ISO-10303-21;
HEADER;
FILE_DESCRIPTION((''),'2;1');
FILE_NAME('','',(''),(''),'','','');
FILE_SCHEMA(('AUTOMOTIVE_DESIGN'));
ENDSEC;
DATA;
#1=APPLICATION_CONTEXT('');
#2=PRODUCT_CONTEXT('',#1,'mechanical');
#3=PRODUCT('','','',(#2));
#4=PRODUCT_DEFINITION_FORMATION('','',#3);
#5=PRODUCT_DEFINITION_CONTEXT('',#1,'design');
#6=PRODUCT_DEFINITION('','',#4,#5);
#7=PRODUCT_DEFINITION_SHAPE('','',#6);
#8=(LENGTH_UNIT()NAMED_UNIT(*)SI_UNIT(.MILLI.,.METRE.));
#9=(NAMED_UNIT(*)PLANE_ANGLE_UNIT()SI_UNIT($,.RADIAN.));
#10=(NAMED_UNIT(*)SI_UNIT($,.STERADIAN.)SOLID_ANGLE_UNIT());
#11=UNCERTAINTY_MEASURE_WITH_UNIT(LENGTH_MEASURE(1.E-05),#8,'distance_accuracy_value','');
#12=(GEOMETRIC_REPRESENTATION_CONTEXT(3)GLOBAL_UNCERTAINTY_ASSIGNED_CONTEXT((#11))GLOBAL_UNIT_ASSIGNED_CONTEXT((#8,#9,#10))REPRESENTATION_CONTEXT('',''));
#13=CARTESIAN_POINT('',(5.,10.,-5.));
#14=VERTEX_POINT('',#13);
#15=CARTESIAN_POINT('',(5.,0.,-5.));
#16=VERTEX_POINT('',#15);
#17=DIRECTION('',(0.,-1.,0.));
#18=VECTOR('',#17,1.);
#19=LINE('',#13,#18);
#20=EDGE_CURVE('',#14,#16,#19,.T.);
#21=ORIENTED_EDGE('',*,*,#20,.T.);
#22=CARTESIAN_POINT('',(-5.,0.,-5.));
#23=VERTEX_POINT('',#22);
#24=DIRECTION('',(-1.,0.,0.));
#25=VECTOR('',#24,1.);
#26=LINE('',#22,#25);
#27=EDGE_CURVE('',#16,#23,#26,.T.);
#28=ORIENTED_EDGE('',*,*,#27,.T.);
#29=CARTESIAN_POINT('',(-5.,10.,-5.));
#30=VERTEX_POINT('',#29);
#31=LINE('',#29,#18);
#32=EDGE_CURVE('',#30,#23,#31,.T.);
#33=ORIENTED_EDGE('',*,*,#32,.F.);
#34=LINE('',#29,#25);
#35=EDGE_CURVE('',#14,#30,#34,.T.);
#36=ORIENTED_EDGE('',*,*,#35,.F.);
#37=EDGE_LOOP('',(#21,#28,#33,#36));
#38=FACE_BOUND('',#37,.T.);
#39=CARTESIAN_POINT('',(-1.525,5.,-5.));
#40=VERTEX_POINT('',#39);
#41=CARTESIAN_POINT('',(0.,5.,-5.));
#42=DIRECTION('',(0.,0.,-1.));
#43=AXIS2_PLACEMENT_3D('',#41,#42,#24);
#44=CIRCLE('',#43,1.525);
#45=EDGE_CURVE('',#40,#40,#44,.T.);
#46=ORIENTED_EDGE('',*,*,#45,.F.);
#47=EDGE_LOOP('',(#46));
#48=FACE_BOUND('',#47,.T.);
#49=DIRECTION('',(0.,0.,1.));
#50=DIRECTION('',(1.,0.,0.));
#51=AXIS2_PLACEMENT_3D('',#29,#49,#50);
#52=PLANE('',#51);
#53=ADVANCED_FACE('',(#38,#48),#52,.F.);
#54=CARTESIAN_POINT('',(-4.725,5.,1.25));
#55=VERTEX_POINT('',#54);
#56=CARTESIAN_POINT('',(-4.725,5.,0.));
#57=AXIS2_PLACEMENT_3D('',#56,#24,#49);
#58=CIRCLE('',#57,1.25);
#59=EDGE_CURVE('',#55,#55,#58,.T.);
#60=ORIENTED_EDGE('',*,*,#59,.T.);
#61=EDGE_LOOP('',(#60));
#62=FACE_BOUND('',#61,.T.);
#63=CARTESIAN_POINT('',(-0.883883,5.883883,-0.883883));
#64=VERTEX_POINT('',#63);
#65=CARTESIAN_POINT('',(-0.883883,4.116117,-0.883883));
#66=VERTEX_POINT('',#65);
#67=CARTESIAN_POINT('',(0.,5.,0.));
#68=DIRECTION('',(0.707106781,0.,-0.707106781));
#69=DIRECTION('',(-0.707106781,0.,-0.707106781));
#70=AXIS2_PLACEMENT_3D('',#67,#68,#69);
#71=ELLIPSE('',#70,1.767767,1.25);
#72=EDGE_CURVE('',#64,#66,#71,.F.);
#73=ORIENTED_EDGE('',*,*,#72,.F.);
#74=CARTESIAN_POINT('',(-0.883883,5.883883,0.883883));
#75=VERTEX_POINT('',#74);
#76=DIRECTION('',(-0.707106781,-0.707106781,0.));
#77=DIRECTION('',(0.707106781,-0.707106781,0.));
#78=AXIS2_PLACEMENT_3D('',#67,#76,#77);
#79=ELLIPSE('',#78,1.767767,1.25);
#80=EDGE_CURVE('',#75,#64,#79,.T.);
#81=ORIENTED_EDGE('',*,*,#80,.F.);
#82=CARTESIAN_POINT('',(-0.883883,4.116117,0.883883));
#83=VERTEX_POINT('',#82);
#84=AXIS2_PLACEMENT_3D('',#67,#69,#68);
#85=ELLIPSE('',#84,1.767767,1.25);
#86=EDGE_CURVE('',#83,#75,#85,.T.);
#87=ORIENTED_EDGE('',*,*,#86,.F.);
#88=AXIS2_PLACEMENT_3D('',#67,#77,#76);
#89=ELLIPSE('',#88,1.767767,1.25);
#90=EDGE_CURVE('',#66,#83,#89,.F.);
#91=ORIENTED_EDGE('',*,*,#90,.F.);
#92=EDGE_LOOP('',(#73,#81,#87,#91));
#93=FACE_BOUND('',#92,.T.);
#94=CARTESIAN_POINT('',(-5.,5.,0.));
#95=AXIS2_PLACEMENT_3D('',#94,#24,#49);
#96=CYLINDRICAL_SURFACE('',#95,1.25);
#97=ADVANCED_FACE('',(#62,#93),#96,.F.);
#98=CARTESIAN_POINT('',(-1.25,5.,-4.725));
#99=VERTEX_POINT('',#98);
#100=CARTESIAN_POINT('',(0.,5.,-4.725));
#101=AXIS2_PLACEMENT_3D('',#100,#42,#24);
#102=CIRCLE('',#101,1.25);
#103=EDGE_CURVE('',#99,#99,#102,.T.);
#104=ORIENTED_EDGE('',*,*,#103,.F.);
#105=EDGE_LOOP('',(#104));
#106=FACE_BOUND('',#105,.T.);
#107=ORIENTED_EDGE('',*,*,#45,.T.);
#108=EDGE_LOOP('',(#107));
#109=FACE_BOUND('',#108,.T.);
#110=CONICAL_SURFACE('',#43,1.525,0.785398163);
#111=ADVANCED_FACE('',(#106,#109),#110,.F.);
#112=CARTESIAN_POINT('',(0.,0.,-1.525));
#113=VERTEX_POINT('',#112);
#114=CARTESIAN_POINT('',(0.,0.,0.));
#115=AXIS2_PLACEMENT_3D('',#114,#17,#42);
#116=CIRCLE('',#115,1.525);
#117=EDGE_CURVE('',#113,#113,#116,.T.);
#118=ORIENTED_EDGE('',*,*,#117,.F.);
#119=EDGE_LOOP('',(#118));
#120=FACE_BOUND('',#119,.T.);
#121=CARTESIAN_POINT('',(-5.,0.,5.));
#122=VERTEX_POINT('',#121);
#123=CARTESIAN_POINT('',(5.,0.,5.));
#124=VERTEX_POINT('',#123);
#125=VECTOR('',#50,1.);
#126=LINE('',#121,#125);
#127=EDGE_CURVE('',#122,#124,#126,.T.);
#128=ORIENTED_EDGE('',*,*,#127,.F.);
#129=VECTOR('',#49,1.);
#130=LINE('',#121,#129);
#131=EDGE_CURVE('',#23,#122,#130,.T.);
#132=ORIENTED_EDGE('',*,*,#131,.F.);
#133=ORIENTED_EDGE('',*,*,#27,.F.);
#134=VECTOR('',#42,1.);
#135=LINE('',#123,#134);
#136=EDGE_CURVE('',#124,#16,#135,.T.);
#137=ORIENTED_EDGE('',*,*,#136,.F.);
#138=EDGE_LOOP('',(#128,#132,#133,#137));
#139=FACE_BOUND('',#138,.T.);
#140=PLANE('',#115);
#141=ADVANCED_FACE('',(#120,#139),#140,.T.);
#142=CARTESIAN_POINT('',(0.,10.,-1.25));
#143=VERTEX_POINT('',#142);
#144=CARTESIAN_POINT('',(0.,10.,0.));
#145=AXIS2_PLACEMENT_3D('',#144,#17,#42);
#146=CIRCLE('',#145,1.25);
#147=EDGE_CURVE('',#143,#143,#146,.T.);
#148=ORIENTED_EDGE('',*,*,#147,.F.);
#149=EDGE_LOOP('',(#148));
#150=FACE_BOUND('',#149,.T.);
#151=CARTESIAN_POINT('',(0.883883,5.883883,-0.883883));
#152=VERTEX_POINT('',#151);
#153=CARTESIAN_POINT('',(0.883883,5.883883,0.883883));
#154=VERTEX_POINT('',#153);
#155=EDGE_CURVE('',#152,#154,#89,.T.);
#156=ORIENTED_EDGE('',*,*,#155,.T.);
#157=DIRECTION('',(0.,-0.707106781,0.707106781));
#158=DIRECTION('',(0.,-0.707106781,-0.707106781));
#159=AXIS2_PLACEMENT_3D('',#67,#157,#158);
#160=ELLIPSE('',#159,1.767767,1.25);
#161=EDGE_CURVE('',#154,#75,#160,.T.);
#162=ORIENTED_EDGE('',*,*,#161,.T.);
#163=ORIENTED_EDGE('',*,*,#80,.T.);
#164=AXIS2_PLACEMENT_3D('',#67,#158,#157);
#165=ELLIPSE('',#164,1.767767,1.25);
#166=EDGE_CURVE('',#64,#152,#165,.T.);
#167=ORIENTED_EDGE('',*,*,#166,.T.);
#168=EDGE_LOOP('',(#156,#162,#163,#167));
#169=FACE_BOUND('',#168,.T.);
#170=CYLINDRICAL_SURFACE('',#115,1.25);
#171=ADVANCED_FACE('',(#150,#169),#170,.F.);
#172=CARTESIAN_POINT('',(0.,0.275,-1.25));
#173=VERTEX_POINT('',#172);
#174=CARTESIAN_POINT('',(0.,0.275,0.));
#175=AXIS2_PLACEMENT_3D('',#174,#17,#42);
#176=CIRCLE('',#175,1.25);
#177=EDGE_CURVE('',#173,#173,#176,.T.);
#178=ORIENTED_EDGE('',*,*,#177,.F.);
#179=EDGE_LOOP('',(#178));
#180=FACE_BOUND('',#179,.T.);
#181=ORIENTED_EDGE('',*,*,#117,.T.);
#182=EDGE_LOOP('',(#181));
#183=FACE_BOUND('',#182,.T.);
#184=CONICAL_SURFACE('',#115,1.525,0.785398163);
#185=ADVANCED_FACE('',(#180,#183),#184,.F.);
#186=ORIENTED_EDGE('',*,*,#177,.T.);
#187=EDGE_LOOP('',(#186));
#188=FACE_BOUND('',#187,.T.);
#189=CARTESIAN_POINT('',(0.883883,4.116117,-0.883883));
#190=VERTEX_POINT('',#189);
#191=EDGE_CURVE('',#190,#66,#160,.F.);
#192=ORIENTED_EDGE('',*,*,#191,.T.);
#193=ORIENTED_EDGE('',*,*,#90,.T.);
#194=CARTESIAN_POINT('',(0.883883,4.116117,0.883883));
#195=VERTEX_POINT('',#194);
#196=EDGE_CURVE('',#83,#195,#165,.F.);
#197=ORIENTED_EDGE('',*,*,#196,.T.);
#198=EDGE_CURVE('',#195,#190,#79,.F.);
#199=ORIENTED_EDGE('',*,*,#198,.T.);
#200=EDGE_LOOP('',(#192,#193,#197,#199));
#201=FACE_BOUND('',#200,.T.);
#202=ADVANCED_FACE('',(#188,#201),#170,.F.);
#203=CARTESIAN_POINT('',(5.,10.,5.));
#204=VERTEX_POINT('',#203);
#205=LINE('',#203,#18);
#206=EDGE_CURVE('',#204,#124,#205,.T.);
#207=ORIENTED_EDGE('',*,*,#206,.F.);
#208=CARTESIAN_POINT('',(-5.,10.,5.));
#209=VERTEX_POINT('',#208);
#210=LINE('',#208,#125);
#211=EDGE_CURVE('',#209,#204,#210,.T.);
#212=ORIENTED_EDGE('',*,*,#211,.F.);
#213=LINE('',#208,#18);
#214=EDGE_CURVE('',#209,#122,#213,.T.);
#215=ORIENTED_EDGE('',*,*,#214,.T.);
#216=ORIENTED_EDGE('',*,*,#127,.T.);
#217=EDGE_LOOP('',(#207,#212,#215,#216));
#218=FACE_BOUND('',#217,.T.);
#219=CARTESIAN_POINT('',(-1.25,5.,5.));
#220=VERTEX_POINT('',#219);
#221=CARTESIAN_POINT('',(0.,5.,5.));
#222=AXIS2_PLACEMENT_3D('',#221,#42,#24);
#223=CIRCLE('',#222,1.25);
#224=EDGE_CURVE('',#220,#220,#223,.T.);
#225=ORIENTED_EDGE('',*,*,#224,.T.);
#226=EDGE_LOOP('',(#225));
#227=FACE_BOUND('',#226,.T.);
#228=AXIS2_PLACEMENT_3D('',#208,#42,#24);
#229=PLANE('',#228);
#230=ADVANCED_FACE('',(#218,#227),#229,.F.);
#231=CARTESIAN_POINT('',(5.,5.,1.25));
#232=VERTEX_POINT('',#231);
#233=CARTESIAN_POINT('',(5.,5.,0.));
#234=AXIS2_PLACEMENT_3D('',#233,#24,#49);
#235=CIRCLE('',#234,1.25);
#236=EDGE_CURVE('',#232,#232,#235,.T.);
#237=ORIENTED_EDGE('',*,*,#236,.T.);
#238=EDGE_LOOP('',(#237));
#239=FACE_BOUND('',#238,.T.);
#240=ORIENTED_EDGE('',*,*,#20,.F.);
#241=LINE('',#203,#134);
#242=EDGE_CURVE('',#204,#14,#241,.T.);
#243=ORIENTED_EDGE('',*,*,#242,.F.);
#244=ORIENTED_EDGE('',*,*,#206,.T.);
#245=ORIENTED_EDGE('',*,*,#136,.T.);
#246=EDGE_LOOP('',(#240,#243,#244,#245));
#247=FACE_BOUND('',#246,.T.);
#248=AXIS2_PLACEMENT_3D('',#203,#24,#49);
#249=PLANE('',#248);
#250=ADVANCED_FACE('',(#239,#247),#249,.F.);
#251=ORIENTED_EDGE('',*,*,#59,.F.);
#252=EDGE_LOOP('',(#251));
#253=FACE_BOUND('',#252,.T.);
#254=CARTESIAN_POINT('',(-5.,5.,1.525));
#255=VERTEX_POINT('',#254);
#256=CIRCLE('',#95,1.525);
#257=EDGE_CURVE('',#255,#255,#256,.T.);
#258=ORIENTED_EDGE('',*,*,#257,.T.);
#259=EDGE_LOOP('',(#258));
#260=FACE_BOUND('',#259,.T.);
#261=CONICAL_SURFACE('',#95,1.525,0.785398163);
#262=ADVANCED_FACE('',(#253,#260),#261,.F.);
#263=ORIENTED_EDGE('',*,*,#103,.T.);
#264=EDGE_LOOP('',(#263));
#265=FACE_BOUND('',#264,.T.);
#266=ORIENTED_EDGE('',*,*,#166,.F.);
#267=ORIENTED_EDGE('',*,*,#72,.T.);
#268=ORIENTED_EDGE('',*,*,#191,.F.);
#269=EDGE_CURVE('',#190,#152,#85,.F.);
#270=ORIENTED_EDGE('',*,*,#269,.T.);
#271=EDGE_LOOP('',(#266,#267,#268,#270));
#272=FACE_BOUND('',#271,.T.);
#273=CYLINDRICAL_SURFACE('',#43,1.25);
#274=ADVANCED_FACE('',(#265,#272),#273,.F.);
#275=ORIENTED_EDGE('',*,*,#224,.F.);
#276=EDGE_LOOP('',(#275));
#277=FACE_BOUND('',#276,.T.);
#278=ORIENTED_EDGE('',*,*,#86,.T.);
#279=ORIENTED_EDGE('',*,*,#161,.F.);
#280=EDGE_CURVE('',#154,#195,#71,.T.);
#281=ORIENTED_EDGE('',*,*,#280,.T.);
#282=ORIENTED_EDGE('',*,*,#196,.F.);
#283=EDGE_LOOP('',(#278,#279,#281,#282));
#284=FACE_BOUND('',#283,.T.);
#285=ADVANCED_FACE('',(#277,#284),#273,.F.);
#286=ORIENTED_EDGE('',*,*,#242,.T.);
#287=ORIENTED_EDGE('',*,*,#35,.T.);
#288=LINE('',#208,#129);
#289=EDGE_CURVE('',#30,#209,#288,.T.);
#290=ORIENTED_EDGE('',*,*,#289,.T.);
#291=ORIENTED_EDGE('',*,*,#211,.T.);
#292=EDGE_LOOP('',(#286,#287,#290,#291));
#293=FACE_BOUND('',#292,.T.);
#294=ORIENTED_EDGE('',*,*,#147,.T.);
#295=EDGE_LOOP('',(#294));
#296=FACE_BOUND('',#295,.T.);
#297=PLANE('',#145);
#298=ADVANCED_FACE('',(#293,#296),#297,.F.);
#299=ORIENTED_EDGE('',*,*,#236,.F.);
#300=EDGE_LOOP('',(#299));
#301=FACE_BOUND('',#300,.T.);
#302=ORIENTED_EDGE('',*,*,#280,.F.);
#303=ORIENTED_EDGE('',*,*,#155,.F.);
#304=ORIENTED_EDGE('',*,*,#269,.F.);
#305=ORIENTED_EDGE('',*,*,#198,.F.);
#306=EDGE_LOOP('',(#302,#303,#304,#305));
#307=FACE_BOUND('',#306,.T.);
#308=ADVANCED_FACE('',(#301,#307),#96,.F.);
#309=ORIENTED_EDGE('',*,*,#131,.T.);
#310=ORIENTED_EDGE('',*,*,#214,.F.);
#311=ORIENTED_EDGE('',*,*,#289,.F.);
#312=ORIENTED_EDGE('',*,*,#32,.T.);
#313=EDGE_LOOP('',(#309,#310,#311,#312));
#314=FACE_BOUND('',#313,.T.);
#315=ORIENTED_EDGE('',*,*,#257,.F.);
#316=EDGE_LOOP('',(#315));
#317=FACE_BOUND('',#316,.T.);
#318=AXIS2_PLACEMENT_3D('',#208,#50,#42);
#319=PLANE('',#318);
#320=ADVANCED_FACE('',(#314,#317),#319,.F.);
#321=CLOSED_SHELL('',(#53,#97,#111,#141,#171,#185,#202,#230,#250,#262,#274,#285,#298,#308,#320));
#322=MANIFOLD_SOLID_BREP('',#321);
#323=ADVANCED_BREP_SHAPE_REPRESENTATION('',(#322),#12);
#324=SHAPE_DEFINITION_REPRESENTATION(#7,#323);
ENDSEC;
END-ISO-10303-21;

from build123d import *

# Parameters (mm, degrees)
SKETCH_1_W                   = 10
SKETCH_1_H                   = 10
EXTRUDE_1_DEPTH              = 10
HOLE_WIZARD_M3_1_D           = 2.5
HOLE_WIZARD_M3_1_CSINK_D     = 3.05
HOLE_WIZARD_M3_1_CSINK_ANGLE = 90
HOLE_WIZARD_M3_2_D           = 2.5
HOLE_WIZARD_M3_2_CSINK_D     = 3.05
HOLE_WIZARD_M3_2_CSINK_ANGLE = 90
HOLE_WIZARD_M3_3_D           = 2.5
HOLE_WIZARD_M3_3_CSINK_D     = 3.05
HOLE_WIZARD_M3_3_CSINK_ANGLE = 90


with BuildPart() as part:
    # 草图1 → 凸台-拉伸1 (new body)
    with BuildSketch(Plane(origin=(0, 0, 0), x_dir=(1, 0, 0), z_dir=(0, 1, 0))):
        Rectangle(SKETCH_1_W, SKETCH_1_H)
    extrude(amount=EXTRUDE_1_DEPTH)

    # M3 螺纹孔1 (through all)
    with Locations(Plane(origin=(0, 0, 0), x_dir=(-1, 0, 0), z_dir=(0, -1, 0))):
        with Locations((0, 0)):
            CounterSinkHole(HOLE_WIZARD_M3_1_D / 2, HOLE_WIZARD_M3_1_CSINK_D / 2, counter_sink_angle=HOLE_WIZARD_M3_1_CSINK_ANGLE)

    # M3 螺纹孔2 (through all)
    with Locations(Plane(origin=(0, 0, -5), x_dir=(-1, 0, 0), z_dir=(0, 0, -1))):
        with Locations((0, 5)):
            CounterSinkHole(HOLE_WIZARD_M3_2_D / 2, HOLE_WIZARD_M3_2_CSINK_D / 2, counter_sink_angle=HOLE_WIZARD_M3_2_CSINK_ANGLE)

    # M3 螺纹孔3 (through all)
    with Locations(Plane.ZY.offset(5)):
        with Locations((0, 5)):
            CounterSinkHole(HOLE_WIZARD_M3_3_D / 2, HOLE_WIZARD_M3_3_CSINK_D / 2, counter_sink_angle=HOLE_WIZARD_M3_3_CSINK_ANGLE)


solid = part.part
